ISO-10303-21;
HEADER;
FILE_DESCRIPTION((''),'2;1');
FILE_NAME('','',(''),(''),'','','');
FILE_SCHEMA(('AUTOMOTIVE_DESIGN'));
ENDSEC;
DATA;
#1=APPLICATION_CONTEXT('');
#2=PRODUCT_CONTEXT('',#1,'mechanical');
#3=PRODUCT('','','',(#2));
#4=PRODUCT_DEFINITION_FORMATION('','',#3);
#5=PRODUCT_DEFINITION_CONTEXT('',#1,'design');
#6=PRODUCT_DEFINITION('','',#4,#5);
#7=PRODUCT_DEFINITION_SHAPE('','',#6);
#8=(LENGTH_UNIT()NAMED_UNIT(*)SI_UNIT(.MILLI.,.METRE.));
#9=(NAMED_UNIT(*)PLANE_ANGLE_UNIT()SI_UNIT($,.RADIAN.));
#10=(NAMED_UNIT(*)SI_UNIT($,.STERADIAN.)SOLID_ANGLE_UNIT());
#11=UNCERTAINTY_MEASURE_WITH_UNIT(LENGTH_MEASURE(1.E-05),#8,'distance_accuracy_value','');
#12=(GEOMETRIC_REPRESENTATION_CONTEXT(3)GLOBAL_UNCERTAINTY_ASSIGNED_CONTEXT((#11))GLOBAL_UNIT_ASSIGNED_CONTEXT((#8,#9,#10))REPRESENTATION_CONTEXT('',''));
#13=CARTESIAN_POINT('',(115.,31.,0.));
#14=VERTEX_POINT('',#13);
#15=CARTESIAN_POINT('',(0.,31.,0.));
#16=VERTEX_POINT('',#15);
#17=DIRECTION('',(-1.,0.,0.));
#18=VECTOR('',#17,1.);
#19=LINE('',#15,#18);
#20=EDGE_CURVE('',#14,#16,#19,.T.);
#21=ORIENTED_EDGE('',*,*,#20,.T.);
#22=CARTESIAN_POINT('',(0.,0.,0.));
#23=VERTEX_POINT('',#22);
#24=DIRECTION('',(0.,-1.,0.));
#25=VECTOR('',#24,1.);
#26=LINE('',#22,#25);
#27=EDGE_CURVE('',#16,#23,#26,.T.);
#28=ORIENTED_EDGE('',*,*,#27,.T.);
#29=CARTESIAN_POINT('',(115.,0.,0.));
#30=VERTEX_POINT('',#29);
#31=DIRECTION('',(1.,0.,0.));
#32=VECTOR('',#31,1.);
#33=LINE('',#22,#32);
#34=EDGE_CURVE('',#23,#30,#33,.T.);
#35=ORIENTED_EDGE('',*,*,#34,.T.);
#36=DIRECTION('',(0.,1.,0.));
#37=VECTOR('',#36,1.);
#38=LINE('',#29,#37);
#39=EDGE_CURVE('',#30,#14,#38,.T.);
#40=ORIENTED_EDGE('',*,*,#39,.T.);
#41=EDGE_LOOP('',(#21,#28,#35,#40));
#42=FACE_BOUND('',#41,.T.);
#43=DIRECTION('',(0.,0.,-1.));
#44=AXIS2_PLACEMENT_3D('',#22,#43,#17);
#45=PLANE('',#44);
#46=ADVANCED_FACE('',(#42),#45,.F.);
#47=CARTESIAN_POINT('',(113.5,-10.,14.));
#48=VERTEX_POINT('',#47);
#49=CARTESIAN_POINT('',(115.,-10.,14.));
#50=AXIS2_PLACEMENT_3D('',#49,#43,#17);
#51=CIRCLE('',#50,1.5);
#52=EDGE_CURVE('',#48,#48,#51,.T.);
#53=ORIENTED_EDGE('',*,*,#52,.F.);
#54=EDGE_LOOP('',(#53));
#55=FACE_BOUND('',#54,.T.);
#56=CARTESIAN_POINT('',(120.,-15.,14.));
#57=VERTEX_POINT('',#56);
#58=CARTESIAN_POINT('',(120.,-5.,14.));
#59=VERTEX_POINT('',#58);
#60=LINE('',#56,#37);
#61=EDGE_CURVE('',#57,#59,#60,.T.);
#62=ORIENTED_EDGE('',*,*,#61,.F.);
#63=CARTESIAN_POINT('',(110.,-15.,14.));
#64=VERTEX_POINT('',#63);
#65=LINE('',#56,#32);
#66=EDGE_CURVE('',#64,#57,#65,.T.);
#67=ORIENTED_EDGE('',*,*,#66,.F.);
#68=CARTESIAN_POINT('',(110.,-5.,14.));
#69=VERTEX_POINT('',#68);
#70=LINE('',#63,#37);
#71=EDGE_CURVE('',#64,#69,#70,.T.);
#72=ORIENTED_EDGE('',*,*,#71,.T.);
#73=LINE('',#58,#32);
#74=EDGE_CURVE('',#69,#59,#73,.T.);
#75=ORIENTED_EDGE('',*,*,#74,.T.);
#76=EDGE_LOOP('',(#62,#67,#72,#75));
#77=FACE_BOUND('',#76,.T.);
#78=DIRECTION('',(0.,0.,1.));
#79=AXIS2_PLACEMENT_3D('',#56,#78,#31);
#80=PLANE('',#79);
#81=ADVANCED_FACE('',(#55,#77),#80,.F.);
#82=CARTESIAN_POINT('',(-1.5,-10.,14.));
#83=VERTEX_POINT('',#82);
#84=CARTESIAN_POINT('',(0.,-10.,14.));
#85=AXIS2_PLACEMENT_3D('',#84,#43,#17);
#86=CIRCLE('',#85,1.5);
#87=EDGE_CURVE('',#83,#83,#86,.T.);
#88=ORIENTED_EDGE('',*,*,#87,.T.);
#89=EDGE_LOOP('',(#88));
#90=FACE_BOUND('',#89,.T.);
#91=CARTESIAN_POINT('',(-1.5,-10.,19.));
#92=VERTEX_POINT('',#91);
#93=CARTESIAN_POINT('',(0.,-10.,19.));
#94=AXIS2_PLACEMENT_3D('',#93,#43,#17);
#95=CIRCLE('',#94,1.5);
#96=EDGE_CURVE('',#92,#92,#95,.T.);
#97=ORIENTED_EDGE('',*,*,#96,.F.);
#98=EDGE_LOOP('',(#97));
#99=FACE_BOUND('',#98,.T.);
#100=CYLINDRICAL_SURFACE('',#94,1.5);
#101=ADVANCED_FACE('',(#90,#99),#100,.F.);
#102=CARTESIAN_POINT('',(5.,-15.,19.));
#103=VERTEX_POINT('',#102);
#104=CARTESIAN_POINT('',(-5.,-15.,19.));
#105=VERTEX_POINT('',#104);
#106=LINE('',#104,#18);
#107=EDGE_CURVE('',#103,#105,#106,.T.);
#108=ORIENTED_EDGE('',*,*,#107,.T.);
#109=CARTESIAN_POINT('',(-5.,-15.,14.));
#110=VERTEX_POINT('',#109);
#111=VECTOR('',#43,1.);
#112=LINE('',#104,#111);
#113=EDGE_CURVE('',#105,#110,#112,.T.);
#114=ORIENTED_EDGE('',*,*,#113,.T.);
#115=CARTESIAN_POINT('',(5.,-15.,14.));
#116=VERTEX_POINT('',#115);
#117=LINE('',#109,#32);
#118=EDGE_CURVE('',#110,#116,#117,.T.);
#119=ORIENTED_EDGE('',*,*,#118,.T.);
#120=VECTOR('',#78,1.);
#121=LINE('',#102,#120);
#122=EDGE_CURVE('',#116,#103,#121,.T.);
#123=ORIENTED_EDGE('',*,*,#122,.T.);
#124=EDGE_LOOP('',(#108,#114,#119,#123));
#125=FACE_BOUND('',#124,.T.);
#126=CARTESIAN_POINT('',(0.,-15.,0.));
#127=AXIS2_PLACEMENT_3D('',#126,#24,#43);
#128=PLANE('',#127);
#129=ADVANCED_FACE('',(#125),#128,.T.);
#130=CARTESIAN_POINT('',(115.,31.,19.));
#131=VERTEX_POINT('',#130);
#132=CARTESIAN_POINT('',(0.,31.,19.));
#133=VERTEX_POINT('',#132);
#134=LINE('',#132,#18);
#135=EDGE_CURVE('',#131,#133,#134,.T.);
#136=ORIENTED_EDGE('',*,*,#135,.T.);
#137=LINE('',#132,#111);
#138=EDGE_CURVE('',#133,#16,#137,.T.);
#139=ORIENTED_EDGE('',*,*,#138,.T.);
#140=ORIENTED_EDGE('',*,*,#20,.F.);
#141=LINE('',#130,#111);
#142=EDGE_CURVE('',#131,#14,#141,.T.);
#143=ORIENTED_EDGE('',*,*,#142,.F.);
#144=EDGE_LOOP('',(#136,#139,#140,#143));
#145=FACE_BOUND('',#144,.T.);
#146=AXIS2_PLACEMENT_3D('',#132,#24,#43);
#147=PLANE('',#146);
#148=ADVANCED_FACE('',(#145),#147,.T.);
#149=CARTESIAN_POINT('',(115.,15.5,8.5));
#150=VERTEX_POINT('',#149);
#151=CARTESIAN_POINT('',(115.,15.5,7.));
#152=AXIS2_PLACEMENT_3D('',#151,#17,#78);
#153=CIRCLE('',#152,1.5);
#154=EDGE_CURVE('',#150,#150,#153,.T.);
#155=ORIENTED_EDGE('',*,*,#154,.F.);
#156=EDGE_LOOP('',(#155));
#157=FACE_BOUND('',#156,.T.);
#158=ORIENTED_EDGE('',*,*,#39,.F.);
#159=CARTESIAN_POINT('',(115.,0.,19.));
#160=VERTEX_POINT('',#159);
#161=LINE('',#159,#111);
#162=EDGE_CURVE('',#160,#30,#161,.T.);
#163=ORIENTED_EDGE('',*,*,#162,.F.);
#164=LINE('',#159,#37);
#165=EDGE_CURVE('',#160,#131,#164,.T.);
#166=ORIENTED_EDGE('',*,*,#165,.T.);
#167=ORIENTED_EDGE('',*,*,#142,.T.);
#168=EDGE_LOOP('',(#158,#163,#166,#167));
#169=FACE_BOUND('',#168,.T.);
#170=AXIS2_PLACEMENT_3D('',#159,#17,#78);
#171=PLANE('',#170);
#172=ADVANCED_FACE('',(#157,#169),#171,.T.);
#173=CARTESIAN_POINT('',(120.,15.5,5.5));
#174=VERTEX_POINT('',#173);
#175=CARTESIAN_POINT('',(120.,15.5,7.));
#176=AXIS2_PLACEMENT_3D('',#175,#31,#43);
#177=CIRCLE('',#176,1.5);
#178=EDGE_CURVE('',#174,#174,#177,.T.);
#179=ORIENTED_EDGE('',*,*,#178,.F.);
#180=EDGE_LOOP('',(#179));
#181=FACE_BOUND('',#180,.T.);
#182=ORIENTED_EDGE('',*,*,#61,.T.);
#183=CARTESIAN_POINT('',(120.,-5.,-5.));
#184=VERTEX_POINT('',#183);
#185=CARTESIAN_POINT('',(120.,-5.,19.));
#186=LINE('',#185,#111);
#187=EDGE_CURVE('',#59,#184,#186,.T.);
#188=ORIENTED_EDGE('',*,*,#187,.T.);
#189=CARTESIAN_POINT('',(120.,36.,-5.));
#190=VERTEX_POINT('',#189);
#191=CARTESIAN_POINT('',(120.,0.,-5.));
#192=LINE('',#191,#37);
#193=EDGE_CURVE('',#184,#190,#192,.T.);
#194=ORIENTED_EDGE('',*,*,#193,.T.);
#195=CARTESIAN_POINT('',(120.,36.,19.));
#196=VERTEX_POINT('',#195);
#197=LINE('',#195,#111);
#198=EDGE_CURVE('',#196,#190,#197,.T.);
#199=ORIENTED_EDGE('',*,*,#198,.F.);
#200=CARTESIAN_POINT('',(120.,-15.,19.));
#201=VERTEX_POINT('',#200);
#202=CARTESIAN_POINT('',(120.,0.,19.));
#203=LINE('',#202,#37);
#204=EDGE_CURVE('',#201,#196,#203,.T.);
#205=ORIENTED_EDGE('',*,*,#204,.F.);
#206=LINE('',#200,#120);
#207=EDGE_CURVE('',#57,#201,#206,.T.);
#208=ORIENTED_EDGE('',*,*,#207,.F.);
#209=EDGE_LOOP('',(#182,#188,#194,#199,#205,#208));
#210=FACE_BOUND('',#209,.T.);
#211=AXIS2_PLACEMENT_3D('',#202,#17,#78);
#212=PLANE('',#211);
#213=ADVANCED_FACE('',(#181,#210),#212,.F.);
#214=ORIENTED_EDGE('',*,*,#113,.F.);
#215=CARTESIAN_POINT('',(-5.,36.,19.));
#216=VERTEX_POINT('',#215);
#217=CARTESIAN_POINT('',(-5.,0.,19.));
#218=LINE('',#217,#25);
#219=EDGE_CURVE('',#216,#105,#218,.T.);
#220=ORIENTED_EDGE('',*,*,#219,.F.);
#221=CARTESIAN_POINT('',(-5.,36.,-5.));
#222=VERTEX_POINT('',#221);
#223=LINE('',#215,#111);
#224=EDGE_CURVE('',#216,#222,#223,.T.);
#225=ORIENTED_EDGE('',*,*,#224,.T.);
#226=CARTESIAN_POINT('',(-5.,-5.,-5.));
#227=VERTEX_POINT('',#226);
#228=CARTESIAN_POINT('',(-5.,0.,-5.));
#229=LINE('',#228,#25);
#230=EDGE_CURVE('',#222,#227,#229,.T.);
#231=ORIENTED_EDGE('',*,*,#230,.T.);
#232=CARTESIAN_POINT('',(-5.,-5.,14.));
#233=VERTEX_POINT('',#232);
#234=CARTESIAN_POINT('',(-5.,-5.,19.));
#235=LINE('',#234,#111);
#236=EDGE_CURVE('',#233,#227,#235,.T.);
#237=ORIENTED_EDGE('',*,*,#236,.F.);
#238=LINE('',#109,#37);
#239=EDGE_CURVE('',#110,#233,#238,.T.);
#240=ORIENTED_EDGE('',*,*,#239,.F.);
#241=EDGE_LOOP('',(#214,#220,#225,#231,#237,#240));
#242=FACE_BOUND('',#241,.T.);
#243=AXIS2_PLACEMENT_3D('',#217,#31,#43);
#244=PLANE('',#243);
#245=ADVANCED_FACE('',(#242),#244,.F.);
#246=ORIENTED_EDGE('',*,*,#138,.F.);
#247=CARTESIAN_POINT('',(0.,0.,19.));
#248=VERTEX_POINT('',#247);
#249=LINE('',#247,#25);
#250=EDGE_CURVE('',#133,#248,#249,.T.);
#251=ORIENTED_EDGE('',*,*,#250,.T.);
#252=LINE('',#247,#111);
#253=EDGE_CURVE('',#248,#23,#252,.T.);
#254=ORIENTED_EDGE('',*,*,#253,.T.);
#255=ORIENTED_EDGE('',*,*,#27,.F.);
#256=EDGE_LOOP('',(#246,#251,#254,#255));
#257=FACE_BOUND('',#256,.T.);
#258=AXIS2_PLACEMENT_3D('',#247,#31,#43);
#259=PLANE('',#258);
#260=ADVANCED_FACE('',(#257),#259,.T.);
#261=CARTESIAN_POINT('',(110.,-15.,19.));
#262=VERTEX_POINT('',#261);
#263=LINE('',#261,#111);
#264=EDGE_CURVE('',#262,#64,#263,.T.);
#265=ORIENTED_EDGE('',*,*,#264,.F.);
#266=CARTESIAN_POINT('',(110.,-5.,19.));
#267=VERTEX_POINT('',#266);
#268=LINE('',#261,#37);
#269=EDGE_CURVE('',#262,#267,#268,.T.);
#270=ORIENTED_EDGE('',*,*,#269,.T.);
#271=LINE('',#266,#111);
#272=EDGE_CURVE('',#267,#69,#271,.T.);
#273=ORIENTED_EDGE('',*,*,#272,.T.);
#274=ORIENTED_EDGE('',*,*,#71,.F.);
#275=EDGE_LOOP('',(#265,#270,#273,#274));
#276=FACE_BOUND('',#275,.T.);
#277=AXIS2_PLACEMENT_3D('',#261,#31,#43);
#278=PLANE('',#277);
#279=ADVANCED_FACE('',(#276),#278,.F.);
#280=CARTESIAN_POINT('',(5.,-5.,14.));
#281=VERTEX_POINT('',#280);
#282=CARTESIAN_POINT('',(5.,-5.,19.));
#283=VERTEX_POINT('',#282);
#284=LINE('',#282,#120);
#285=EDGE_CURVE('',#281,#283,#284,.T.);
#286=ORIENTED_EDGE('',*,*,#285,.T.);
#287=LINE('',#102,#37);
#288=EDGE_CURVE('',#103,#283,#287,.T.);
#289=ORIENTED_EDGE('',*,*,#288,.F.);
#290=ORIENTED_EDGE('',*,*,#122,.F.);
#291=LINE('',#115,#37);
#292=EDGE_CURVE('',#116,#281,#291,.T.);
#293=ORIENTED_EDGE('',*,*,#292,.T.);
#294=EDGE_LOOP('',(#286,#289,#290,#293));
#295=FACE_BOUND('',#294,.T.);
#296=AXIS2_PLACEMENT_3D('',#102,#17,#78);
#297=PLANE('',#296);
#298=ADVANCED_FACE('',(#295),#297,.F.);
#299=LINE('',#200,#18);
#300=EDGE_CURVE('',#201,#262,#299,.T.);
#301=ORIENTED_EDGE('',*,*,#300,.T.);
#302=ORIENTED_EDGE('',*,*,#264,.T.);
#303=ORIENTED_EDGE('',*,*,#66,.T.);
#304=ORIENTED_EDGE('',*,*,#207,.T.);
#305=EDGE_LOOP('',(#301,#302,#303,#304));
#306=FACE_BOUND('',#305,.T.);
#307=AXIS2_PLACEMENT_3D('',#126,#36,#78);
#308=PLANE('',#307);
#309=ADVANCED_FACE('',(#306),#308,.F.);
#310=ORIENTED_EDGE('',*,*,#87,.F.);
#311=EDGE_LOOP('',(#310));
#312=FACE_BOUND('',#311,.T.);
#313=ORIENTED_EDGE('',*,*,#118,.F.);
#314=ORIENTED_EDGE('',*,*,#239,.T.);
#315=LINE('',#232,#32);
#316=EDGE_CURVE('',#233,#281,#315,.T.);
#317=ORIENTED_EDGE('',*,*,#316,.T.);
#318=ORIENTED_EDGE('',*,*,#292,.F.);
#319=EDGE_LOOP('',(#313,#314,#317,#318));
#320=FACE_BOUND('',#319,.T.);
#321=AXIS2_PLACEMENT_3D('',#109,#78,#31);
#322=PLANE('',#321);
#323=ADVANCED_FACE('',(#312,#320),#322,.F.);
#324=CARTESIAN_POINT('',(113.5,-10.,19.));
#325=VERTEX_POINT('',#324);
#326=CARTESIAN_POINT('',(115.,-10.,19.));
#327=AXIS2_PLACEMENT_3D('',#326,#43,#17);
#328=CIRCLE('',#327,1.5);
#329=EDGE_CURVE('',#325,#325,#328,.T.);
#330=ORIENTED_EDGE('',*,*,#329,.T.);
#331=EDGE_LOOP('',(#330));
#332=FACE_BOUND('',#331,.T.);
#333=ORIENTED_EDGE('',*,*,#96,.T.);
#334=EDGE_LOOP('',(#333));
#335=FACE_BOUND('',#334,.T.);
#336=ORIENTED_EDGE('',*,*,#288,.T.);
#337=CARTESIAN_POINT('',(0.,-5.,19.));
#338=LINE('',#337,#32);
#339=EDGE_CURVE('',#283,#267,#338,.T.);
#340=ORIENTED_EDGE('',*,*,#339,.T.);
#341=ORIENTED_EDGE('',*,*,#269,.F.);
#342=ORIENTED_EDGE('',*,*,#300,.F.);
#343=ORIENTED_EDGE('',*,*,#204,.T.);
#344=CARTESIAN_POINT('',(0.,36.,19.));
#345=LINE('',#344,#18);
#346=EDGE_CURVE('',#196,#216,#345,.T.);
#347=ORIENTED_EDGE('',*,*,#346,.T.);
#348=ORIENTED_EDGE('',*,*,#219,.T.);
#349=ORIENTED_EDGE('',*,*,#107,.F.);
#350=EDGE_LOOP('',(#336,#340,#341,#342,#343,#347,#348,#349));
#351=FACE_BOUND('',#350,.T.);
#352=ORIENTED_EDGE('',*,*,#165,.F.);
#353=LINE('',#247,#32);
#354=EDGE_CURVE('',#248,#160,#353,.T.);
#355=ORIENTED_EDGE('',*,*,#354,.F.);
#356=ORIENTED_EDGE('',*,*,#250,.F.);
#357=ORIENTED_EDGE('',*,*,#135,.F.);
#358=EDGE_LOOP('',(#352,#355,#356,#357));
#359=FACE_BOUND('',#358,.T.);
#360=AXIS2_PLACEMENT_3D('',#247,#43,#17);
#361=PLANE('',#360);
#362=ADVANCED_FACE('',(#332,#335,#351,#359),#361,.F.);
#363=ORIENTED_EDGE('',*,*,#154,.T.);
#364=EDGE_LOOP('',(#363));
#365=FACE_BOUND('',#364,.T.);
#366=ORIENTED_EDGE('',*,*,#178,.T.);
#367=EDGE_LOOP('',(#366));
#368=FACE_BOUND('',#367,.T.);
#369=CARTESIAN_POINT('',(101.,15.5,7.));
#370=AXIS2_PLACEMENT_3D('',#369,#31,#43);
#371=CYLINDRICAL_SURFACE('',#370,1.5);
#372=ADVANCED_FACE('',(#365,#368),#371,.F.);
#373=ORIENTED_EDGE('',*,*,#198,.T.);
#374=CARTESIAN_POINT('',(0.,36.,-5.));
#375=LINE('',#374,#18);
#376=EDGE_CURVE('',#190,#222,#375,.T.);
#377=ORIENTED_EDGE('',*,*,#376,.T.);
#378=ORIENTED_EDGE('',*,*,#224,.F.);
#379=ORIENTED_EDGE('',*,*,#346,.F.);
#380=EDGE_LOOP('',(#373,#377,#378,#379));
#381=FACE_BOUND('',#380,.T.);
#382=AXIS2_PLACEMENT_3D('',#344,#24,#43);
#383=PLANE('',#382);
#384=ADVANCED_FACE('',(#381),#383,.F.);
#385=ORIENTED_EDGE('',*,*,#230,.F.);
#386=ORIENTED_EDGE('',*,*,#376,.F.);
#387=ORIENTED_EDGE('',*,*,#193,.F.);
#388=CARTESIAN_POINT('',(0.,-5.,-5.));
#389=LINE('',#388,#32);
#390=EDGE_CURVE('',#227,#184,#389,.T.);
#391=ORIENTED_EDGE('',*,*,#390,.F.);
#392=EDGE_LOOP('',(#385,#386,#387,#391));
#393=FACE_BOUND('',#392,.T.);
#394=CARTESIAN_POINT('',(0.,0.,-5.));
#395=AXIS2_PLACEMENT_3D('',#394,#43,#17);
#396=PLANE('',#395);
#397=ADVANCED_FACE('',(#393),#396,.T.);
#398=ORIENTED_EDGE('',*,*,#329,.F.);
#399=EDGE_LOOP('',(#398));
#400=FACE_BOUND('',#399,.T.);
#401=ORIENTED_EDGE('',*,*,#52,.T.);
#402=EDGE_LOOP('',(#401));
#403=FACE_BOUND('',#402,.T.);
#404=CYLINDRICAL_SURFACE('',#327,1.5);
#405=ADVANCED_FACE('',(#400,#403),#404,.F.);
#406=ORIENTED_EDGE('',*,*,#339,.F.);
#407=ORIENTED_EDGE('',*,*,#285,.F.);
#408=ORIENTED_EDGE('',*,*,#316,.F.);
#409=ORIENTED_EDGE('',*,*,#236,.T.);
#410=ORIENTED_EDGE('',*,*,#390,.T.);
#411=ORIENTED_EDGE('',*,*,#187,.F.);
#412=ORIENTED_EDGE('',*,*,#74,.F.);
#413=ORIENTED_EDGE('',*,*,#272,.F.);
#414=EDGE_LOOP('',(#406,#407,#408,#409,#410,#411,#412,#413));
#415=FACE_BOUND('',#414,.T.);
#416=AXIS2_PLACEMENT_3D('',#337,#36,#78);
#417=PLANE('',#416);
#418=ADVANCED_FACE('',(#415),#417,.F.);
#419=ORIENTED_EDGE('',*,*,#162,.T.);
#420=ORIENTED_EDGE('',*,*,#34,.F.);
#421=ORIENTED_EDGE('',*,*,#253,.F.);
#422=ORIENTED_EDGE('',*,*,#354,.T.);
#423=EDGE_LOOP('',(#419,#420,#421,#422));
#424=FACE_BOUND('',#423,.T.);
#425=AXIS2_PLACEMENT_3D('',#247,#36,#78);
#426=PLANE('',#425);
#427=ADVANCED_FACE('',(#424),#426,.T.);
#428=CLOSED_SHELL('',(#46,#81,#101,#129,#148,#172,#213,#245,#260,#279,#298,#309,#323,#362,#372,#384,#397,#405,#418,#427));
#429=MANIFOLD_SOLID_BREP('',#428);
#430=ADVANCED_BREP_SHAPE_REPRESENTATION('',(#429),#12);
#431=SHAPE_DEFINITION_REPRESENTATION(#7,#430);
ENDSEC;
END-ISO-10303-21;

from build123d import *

# Parameters (mm, degrees)
SKETCH1_W           = 115
SKETCH1_H           = 31
BOSS_EXTRUDE1_DEPTH = 19
SHELL1_T            = 5
SKETCH2_R           = 1.5
CUT_EXTRUDE1_DEPTH  = 19
SKETCH3_W           = 10
SKETCH3_H           = 5
BOSS_EXTRUDE2_DEPTH = 10
SKETCH4_R           = 1.5
CUT_EXTRUDE2_DEPTH  = 127.716218378


with BuildPart() as part:
    # Sketch1 → Boss-Extrude1 (new body)
    with BuildSketch(Plane.XY):
        with Locations((57.5, 15.5)):
            Rectangle(SKETCH1_W, SKETCH1_H)
    extrude(amount=BOSS_EXTRUDE1_DEPTH)

    # Shell1
    shell1_openings = [part.faces().sort_by_distance(p)[0] for p in [
        (57.5, 15.5, 19),
    ]]
    offset(amount=SHELL1_T, openings=shell1_openings, kind=Kind.INTERSECTION)

    # Sketch2 → Cut-Extrude1 (cut)
    with BuildSketch(Plane(origin=(120, 0, 0), x_dir=(0, 0, -1), z_dir=(1, 0, 0))):
        with Locations((-7, 15.5)):
            Circle(SKETCH2_R)
    extrude(amount=-CUT_EXTRUDE1_DEPTH, mode=Mode.SUBTRACT)

    # Sketch3 → Boss-Extrude2 (add)
    with BuildSketch(Plane(origin=(0, -5, 0), x_dir=(-1, 0, 0), z_dir=(0, -1, 0))):
        with Locations((0, -16.5)):
            Rectangle(SKETCH3_W, SKETCH3_H)
        with Locations((-115, -16.5)):
            Rectangle(SKETCH3_W, SKETCH3_H)
    extrude(amount=BOSS_EXTRUDE2_DEPTH)

    # Sketch4 → Cut-Extrude2 (cut, through all)
    with BuildSketch(Plane(origin=(0, 0, 14), x_dir=(-1, 0, 0), z_dir=(0, 0, -1))):
        with Locations((0, -10)):
            Circle(SKETCH4_R)
        with Locations((-115, -10)):
            Circle(SKETCH4_R)
    extrude(amount=-CUT_EXTRUDE2_DEPTH, mode=Mode.SUBTRACT)


solid = part.part
